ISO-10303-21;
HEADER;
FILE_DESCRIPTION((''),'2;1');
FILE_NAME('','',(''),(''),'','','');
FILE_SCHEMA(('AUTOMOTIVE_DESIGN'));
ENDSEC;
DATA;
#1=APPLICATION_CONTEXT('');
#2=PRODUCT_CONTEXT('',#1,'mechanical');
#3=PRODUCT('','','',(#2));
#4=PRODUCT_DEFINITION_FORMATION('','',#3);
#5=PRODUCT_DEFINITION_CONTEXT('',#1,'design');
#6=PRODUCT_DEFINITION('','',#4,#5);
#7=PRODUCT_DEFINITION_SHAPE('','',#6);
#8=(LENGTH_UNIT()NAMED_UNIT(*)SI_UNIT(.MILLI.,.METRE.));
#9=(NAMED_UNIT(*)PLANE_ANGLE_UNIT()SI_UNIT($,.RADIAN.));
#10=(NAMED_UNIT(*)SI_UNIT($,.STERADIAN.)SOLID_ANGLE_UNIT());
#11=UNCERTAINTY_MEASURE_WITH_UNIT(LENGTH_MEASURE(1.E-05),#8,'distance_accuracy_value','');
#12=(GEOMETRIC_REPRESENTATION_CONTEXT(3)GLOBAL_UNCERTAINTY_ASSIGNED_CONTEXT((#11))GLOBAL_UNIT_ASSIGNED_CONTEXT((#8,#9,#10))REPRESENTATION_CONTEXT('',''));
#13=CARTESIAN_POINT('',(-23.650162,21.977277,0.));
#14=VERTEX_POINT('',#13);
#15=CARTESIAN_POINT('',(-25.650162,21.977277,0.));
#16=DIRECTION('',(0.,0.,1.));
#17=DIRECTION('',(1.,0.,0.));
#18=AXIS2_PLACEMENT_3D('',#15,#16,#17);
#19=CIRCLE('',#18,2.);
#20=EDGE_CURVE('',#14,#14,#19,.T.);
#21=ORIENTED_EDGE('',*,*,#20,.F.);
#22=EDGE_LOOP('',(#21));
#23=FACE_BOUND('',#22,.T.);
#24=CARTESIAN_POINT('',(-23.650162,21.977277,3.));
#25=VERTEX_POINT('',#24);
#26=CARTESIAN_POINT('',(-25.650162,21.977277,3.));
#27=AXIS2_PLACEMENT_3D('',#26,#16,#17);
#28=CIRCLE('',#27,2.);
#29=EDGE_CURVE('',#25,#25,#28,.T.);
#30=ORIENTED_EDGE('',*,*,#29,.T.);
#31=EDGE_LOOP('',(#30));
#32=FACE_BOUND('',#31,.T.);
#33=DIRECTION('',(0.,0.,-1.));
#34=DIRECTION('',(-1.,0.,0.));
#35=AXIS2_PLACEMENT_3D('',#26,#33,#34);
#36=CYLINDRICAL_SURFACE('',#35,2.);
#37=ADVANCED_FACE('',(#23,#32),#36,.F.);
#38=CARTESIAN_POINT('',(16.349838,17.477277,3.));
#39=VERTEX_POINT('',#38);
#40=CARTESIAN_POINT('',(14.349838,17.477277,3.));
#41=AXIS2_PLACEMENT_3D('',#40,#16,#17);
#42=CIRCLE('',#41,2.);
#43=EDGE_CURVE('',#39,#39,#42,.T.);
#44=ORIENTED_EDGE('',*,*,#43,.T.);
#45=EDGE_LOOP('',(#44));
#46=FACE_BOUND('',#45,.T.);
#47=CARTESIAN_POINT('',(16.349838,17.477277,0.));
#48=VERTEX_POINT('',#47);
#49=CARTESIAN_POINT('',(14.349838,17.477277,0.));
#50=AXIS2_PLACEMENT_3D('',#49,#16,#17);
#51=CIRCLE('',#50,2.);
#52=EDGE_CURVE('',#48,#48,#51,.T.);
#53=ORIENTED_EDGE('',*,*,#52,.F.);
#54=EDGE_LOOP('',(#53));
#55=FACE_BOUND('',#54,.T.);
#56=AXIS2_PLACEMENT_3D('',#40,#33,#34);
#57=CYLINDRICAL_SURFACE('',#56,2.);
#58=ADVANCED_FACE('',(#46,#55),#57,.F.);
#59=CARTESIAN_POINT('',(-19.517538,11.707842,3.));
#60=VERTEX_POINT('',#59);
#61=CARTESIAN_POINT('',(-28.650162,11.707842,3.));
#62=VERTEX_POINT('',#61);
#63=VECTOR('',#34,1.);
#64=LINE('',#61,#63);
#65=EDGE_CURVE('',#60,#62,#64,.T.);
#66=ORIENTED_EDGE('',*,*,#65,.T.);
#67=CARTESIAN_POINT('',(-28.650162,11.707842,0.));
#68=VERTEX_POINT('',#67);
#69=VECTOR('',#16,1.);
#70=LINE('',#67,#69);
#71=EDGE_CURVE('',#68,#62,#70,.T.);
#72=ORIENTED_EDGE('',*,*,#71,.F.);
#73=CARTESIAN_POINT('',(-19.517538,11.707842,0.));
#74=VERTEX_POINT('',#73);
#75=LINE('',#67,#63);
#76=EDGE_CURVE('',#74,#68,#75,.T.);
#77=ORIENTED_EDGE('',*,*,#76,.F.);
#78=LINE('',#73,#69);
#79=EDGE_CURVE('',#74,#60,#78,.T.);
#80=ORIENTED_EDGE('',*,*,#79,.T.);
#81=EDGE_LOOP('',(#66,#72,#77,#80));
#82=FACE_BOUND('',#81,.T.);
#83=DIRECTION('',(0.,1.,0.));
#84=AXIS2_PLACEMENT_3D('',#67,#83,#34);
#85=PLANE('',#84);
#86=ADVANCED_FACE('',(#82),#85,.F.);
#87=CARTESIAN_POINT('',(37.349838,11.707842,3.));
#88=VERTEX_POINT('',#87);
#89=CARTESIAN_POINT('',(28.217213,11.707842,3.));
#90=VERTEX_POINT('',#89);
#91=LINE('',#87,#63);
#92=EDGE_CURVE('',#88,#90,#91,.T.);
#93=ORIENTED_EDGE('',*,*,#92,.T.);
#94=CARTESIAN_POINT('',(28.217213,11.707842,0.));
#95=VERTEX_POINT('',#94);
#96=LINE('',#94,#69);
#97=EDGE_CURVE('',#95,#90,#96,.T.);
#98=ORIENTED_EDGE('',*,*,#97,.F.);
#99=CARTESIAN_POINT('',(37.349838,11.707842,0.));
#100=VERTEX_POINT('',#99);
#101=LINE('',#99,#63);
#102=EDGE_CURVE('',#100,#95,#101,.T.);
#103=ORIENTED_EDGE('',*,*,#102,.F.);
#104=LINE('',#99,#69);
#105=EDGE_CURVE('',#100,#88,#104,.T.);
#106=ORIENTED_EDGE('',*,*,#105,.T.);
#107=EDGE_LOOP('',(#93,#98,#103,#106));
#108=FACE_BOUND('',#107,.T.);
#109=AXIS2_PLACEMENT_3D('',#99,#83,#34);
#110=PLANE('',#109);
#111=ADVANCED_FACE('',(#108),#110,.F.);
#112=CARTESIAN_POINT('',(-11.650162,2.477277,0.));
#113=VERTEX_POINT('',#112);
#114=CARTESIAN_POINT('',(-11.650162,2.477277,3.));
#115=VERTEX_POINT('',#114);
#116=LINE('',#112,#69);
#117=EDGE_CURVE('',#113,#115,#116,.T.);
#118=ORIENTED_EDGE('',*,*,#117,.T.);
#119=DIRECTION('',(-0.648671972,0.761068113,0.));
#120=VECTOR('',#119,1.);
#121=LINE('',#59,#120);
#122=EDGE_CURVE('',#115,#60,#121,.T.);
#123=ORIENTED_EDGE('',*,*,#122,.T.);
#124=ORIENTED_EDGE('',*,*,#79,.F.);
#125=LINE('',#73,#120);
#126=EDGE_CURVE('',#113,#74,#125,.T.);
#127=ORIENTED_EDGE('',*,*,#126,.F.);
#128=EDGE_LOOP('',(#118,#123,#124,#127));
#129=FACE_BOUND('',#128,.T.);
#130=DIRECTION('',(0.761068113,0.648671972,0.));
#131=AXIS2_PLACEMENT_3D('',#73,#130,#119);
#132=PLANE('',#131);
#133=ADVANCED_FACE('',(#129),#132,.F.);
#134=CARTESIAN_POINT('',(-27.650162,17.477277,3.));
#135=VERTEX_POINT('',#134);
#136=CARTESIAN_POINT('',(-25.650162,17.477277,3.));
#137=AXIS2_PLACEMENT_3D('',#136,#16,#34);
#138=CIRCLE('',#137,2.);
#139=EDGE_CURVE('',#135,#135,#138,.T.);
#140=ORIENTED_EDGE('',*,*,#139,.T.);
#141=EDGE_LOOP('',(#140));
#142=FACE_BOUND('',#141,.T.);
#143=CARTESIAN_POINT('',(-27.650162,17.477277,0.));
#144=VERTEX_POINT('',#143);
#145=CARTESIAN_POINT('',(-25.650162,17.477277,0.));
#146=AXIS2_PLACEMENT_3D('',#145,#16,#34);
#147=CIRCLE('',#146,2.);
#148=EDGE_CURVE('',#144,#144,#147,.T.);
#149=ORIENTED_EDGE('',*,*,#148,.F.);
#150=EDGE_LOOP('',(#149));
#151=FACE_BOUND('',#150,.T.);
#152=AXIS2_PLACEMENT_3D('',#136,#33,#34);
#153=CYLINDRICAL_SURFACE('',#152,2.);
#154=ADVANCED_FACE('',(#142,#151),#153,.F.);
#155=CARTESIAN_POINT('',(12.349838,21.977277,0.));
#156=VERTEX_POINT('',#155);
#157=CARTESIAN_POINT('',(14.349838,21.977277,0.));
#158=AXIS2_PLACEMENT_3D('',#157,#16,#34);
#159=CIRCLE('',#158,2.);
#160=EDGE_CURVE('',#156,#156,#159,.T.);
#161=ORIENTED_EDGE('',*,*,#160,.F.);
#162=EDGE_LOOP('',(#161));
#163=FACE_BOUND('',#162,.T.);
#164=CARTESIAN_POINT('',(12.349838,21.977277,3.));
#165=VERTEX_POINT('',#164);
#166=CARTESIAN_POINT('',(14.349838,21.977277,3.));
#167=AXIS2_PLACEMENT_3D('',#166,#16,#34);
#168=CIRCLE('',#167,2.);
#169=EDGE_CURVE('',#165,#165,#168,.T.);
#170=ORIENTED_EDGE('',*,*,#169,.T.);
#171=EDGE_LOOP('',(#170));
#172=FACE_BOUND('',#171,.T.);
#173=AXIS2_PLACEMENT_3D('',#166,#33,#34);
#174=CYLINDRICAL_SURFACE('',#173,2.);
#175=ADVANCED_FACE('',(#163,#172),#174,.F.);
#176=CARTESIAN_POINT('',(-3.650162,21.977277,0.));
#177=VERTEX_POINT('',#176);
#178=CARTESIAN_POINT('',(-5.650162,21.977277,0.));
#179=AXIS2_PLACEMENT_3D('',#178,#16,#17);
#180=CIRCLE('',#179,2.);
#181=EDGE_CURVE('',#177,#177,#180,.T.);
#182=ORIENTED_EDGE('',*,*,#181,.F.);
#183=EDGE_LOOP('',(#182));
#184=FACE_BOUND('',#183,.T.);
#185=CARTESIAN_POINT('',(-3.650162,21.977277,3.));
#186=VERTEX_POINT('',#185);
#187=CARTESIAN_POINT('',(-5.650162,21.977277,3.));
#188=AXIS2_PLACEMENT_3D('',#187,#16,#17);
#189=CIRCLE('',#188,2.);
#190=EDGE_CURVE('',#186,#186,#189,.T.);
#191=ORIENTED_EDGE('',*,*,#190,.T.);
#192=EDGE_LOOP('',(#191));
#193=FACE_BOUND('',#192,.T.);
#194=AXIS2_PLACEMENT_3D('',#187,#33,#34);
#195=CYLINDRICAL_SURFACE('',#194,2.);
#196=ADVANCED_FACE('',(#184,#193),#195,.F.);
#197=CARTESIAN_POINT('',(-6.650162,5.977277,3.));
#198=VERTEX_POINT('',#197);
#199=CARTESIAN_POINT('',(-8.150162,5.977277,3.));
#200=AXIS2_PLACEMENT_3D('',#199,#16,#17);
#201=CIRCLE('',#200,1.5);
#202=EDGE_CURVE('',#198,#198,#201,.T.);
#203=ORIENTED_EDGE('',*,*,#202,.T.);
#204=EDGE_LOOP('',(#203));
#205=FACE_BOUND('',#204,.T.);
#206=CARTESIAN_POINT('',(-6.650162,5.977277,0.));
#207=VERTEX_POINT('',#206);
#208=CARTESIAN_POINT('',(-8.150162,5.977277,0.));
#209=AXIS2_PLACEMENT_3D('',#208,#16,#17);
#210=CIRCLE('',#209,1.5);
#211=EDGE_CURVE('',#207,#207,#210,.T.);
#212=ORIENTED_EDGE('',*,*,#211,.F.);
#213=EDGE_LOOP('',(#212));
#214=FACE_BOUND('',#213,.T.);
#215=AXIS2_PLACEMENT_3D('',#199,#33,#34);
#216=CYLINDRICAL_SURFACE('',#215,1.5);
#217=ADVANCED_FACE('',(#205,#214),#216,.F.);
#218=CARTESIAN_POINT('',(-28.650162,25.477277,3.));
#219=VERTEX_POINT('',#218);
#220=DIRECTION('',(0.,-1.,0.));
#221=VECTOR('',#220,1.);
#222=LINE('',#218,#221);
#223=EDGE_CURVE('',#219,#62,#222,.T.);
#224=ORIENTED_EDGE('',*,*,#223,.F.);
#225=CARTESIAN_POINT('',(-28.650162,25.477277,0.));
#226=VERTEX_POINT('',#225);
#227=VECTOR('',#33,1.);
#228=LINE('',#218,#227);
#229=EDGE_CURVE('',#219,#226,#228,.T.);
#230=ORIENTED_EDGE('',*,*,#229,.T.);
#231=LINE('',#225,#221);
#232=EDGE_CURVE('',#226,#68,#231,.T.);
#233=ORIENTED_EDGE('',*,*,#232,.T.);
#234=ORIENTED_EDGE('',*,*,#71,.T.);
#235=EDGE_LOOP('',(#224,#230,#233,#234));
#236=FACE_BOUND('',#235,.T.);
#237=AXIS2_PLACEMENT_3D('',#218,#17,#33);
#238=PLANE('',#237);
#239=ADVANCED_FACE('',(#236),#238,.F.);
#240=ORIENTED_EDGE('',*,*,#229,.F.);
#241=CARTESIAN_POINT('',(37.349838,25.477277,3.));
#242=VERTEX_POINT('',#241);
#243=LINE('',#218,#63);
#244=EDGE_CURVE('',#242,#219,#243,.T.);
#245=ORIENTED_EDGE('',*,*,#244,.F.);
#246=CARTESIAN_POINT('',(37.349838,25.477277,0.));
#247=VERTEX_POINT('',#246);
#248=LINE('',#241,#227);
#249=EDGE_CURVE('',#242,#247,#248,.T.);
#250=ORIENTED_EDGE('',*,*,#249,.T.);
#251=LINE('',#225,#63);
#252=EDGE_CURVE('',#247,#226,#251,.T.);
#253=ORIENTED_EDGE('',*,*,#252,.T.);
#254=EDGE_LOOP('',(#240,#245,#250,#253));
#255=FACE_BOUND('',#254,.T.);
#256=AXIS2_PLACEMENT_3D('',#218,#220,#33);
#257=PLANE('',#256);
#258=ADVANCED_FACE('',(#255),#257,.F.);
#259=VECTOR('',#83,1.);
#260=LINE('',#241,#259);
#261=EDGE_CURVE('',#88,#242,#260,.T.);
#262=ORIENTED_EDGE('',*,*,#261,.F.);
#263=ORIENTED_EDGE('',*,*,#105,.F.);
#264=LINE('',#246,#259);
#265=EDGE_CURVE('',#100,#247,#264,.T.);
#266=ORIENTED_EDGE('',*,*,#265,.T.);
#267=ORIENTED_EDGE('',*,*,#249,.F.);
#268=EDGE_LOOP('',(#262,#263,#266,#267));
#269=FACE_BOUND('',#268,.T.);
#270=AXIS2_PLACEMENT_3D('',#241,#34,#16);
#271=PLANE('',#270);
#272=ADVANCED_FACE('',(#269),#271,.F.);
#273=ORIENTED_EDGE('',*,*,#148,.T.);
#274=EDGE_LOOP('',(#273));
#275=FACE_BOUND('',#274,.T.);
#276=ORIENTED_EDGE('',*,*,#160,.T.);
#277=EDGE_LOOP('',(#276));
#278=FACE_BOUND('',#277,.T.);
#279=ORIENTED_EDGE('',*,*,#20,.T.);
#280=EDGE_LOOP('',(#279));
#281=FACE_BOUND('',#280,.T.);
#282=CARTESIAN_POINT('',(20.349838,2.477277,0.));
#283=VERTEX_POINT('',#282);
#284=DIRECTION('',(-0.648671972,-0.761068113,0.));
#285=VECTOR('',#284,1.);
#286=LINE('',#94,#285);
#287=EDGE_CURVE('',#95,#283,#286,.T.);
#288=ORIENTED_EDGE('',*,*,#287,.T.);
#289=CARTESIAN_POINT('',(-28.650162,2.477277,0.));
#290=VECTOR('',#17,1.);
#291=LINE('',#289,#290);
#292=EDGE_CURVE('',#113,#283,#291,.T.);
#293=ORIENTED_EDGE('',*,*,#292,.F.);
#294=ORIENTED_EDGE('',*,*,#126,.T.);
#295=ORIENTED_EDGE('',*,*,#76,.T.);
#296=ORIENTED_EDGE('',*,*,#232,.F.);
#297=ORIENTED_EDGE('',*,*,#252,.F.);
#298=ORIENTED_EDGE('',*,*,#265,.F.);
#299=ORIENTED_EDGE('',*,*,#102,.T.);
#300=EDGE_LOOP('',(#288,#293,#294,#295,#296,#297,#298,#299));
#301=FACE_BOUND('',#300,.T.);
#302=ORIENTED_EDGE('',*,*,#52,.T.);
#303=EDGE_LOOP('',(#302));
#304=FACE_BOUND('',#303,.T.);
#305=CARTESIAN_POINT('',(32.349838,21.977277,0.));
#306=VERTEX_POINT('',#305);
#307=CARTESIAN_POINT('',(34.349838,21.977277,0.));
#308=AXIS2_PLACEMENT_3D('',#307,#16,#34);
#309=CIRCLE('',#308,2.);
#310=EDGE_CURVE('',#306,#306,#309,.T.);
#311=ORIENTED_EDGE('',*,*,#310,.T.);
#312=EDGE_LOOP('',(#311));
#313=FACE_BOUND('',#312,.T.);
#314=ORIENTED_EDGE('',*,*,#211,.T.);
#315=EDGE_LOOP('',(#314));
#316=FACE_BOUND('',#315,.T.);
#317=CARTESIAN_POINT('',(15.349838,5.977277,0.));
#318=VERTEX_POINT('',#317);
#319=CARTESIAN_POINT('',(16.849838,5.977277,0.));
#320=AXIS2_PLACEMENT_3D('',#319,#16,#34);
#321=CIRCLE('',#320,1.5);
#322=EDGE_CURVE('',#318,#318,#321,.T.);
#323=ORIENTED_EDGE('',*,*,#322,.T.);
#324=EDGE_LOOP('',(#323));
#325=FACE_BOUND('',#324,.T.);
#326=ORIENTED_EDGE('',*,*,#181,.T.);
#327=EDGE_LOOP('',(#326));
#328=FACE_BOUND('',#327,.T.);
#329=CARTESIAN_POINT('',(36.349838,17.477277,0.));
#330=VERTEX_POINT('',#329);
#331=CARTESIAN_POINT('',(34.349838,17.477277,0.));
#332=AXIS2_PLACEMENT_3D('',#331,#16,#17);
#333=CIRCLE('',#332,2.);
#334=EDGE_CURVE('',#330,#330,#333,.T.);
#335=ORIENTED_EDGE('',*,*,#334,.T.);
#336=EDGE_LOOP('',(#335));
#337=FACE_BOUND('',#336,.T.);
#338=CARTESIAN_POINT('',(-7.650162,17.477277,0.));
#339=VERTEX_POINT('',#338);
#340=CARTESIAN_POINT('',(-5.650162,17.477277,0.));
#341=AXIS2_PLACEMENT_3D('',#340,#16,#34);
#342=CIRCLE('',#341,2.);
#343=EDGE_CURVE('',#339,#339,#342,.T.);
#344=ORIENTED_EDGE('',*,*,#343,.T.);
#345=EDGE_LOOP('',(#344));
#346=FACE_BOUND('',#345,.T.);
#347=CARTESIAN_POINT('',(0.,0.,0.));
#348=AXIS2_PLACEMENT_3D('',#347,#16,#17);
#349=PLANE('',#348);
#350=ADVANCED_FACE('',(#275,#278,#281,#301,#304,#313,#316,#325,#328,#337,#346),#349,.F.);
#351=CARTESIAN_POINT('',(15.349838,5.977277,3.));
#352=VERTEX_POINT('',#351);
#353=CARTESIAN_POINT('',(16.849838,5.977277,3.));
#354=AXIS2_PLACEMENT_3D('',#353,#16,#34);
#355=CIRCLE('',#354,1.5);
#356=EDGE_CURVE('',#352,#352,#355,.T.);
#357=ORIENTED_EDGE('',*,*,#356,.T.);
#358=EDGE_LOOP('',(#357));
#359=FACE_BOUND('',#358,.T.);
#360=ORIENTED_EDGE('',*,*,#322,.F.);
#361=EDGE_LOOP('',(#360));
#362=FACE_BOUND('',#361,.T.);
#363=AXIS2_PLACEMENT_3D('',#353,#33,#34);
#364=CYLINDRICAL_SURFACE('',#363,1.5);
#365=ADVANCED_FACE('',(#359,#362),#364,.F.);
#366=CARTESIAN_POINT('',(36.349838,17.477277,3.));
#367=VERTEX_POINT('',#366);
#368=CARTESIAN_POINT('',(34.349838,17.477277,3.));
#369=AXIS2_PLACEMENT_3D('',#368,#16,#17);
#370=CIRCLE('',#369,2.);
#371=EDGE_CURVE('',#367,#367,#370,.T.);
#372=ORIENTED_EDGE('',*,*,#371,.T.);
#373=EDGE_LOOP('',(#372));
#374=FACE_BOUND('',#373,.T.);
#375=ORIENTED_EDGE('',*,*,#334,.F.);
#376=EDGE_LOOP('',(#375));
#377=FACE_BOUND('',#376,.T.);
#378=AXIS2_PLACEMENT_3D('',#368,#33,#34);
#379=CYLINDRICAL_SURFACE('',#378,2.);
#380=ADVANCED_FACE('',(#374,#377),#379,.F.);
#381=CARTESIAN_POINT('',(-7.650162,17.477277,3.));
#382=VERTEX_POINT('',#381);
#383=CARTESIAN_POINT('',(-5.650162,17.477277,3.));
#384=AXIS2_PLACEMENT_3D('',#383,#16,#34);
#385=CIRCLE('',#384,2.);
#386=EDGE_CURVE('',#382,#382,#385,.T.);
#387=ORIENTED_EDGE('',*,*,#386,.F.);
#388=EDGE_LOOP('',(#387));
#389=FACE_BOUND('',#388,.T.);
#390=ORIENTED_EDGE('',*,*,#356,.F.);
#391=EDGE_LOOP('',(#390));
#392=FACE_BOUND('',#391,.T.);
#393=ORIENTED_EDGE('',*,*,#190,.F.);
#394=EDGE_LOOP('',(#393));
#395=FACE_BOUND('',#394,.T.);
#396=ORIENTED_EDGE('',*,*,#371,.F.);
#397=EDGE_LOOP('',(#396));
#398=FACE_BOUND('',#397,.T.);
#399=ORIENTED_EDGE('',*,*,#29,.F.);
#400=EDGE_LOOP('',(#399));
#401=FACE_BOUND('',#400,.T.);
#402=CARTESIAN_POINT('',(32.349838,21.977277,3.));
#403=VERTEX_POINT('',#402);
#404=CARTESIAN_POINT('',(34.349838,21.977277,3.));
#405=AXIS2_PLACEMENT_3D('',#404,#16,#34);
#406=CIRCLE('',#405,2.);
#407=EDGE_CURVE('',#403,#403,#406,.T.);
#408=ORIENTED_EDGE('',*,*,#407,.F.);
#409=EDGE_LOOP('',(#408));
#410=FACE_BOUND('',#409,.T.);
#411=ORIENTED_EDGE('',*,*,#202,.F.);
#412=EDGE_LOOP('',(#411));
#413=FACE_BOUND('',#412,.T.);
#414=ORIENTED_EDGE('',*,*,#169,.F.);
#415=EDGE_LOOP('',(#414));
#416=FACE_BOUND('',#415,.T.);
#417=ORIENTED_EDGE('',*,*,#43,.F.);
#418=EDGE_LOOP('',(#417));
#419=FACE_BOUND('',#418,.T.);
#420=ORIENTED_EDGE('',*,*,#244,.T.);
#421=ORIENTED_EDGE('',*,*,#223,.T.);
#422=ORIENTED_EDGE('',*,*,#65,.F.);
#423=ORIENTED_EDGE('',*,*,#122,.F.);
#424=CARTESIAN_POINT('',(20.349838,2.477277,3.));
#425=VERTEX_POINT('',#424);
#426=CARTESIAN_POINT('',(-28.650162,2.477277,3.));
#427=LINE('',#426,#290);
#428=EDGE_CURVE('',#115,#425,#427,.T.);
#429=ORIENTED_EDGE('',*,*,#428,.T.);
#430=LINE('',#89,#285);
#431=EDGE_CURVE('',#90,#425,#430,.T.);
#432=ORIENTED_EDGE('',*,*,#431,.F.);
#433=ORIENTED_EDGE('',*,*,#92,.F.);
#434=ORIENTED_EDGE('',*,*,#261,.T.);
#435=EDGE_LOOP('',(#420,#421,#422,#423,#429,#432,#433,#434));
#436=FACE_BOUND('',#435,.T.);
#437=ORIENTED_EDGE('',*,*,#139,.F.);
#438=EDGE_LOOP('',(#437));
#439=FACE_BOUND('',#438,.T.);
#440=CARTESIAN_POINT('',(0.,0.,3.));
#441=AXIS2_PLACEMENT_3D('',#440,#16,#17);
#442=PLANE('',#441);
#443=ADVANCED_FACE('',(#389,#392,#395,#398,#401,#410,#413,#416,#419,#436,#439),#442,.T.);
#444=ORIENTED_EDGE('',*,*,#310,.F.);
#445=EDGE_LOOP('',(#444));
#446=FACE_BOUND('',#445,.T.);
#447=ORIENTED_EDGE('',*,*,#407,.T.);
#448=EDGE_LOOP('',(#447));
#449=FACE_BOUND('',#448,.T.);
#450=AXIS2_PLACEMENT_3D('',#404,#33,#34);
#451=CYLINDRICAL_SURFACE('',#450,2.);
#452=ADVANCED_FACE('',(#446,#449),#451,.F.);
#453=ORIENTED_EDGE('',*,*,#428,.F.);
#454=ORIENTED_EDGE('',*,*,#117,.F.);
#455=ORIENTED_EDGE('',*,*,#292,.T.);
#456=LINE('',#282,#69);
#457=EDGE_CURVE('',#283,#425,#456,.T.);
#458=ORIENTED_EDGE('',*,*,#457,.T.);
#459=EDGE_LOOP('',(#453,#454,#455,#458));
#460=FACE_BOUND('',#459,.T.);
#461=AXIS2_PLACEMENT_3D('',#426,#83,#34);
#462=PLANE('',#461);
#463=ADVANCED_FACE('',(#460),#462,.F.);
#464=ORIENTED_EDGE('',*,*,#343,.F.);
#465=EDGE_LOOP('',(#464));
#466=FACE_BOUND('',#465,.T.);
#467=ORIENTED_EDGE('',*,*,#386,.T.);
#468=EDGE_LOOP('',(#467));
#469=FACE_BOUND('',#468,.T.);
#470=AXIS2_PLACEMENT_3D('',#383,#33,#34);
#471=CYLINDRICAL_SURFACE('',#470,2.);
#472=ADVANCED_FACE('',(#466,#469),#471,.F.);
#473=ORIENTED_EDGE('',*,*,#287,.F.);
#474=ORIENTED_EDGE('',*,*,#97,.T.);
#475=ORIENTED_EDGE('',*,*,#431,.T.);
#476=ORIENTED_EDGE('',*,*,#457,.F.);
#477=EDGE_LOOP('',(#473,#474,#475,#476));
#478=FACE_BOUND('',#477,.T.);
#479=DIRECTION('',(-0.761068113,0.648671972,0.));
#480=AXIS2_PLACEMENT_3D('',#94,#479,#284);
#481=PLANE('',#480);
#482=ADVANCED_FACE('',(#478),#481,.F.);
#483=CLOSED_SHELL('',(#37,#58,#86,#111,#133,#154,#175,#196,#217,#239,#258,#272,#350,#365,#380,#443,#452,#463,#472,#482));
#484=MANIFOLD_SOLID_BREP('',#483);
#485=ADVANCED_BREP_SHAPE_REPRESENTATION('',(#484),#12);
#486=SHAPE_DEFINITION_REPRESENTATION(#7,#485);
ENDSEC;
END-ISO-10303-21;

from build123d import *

# Parameters (mm, degrees)
SKETCH_1_W          = 66
SKETCH_1_H          = 23
SKETCH_1_R          = 2
SKETCH_1_R_2        = 1.5
EXTRUDE_1_DEPTH     = 3
CUT_EXTRUDE_1_DEPTH = 46.311168738


with BuildPart() as part:
    # 草图1 → 凸台-拉伸1 (new body)
    with BuildSketch(Plane.XY):
        with Locations((4.349837666, 13.977276909)):
            Rectangle(SKETCH_1_W, SKETCH_1_H)
        with Locations((-5.650162334, 21.977276909)):
            Circle(SKETCH_1_R, mode=Mode.SUBTRACT)
        with Locations((-25.650162334, 21.977276909)):
            Circle(SKETCH_1_R, mode=Mode.SUBTRACT)
        with Locations(Location((14.349837666, 21.977276909, 0), (0, 0, 180))):
            Circle(SKETCH_1_R, mode=Mode.SUBTRACT)
        with Locations(Location((34.349837666, 21.977276909, 0), (0, 0, 180))):
            Circle(SKETCH_1_R, mode=Mode.SUBTRACT)
        with Locations((34.349837666, 17.477276909)):
            Circle(SKETCH_1_R, mode=Mode.SUBTRACT)
        with Locations((14.349837666, 17.477276909)):
            Circle(SKETCH_1_R, mode=Mode.SUBTRACT)
        with Locations(Location((-5.650162334, 17.477276909, 0), (0, 0, 180))):
            Circle(SKETCH_1_R, mode=Mode.SUBTRACT)
        with Locations(Location((-25.650162334, 17.477276909, 0), (0, 0, 180))):
            Circle(SKETCH_1_R, mode=Mode.SUBTRACT)
        with Locations((-8.150162334, 5.977276909)):
            Circle(SKETCH_1_R_2, mode=Mode.SUBTRACT)
        with Locations(Location((16.849837666, 5.977276909, 0), (0, 0, 180))):
            Circle(SKETCH_1_R_2, mode=Mode.SUBTRACT)
    extrude(amount=EXTRUDE_1_DEPTH)

    # 草图2 → 切除-拉伸1 (cut, through all)
    with BuildSketch(Plane.XY.offset(3)):
        Polygon((-28.650162334, 11.707841664), (-19.517537848, 11.707841664), (-11.650162334, 2.477276909), (-28.650162334, 2.477276909), align=None)
        Polygon((20.349837666, 2.477276909), (37.349837666, 2.477276909), (37.349837666, 11.707841664), (28.217213181, 11.707841664), align=None)
    extrude(amount=-CUT_EXTRUDE_1_DEPTH, mode=Mode.SUBTRACT)


solid = part.part
